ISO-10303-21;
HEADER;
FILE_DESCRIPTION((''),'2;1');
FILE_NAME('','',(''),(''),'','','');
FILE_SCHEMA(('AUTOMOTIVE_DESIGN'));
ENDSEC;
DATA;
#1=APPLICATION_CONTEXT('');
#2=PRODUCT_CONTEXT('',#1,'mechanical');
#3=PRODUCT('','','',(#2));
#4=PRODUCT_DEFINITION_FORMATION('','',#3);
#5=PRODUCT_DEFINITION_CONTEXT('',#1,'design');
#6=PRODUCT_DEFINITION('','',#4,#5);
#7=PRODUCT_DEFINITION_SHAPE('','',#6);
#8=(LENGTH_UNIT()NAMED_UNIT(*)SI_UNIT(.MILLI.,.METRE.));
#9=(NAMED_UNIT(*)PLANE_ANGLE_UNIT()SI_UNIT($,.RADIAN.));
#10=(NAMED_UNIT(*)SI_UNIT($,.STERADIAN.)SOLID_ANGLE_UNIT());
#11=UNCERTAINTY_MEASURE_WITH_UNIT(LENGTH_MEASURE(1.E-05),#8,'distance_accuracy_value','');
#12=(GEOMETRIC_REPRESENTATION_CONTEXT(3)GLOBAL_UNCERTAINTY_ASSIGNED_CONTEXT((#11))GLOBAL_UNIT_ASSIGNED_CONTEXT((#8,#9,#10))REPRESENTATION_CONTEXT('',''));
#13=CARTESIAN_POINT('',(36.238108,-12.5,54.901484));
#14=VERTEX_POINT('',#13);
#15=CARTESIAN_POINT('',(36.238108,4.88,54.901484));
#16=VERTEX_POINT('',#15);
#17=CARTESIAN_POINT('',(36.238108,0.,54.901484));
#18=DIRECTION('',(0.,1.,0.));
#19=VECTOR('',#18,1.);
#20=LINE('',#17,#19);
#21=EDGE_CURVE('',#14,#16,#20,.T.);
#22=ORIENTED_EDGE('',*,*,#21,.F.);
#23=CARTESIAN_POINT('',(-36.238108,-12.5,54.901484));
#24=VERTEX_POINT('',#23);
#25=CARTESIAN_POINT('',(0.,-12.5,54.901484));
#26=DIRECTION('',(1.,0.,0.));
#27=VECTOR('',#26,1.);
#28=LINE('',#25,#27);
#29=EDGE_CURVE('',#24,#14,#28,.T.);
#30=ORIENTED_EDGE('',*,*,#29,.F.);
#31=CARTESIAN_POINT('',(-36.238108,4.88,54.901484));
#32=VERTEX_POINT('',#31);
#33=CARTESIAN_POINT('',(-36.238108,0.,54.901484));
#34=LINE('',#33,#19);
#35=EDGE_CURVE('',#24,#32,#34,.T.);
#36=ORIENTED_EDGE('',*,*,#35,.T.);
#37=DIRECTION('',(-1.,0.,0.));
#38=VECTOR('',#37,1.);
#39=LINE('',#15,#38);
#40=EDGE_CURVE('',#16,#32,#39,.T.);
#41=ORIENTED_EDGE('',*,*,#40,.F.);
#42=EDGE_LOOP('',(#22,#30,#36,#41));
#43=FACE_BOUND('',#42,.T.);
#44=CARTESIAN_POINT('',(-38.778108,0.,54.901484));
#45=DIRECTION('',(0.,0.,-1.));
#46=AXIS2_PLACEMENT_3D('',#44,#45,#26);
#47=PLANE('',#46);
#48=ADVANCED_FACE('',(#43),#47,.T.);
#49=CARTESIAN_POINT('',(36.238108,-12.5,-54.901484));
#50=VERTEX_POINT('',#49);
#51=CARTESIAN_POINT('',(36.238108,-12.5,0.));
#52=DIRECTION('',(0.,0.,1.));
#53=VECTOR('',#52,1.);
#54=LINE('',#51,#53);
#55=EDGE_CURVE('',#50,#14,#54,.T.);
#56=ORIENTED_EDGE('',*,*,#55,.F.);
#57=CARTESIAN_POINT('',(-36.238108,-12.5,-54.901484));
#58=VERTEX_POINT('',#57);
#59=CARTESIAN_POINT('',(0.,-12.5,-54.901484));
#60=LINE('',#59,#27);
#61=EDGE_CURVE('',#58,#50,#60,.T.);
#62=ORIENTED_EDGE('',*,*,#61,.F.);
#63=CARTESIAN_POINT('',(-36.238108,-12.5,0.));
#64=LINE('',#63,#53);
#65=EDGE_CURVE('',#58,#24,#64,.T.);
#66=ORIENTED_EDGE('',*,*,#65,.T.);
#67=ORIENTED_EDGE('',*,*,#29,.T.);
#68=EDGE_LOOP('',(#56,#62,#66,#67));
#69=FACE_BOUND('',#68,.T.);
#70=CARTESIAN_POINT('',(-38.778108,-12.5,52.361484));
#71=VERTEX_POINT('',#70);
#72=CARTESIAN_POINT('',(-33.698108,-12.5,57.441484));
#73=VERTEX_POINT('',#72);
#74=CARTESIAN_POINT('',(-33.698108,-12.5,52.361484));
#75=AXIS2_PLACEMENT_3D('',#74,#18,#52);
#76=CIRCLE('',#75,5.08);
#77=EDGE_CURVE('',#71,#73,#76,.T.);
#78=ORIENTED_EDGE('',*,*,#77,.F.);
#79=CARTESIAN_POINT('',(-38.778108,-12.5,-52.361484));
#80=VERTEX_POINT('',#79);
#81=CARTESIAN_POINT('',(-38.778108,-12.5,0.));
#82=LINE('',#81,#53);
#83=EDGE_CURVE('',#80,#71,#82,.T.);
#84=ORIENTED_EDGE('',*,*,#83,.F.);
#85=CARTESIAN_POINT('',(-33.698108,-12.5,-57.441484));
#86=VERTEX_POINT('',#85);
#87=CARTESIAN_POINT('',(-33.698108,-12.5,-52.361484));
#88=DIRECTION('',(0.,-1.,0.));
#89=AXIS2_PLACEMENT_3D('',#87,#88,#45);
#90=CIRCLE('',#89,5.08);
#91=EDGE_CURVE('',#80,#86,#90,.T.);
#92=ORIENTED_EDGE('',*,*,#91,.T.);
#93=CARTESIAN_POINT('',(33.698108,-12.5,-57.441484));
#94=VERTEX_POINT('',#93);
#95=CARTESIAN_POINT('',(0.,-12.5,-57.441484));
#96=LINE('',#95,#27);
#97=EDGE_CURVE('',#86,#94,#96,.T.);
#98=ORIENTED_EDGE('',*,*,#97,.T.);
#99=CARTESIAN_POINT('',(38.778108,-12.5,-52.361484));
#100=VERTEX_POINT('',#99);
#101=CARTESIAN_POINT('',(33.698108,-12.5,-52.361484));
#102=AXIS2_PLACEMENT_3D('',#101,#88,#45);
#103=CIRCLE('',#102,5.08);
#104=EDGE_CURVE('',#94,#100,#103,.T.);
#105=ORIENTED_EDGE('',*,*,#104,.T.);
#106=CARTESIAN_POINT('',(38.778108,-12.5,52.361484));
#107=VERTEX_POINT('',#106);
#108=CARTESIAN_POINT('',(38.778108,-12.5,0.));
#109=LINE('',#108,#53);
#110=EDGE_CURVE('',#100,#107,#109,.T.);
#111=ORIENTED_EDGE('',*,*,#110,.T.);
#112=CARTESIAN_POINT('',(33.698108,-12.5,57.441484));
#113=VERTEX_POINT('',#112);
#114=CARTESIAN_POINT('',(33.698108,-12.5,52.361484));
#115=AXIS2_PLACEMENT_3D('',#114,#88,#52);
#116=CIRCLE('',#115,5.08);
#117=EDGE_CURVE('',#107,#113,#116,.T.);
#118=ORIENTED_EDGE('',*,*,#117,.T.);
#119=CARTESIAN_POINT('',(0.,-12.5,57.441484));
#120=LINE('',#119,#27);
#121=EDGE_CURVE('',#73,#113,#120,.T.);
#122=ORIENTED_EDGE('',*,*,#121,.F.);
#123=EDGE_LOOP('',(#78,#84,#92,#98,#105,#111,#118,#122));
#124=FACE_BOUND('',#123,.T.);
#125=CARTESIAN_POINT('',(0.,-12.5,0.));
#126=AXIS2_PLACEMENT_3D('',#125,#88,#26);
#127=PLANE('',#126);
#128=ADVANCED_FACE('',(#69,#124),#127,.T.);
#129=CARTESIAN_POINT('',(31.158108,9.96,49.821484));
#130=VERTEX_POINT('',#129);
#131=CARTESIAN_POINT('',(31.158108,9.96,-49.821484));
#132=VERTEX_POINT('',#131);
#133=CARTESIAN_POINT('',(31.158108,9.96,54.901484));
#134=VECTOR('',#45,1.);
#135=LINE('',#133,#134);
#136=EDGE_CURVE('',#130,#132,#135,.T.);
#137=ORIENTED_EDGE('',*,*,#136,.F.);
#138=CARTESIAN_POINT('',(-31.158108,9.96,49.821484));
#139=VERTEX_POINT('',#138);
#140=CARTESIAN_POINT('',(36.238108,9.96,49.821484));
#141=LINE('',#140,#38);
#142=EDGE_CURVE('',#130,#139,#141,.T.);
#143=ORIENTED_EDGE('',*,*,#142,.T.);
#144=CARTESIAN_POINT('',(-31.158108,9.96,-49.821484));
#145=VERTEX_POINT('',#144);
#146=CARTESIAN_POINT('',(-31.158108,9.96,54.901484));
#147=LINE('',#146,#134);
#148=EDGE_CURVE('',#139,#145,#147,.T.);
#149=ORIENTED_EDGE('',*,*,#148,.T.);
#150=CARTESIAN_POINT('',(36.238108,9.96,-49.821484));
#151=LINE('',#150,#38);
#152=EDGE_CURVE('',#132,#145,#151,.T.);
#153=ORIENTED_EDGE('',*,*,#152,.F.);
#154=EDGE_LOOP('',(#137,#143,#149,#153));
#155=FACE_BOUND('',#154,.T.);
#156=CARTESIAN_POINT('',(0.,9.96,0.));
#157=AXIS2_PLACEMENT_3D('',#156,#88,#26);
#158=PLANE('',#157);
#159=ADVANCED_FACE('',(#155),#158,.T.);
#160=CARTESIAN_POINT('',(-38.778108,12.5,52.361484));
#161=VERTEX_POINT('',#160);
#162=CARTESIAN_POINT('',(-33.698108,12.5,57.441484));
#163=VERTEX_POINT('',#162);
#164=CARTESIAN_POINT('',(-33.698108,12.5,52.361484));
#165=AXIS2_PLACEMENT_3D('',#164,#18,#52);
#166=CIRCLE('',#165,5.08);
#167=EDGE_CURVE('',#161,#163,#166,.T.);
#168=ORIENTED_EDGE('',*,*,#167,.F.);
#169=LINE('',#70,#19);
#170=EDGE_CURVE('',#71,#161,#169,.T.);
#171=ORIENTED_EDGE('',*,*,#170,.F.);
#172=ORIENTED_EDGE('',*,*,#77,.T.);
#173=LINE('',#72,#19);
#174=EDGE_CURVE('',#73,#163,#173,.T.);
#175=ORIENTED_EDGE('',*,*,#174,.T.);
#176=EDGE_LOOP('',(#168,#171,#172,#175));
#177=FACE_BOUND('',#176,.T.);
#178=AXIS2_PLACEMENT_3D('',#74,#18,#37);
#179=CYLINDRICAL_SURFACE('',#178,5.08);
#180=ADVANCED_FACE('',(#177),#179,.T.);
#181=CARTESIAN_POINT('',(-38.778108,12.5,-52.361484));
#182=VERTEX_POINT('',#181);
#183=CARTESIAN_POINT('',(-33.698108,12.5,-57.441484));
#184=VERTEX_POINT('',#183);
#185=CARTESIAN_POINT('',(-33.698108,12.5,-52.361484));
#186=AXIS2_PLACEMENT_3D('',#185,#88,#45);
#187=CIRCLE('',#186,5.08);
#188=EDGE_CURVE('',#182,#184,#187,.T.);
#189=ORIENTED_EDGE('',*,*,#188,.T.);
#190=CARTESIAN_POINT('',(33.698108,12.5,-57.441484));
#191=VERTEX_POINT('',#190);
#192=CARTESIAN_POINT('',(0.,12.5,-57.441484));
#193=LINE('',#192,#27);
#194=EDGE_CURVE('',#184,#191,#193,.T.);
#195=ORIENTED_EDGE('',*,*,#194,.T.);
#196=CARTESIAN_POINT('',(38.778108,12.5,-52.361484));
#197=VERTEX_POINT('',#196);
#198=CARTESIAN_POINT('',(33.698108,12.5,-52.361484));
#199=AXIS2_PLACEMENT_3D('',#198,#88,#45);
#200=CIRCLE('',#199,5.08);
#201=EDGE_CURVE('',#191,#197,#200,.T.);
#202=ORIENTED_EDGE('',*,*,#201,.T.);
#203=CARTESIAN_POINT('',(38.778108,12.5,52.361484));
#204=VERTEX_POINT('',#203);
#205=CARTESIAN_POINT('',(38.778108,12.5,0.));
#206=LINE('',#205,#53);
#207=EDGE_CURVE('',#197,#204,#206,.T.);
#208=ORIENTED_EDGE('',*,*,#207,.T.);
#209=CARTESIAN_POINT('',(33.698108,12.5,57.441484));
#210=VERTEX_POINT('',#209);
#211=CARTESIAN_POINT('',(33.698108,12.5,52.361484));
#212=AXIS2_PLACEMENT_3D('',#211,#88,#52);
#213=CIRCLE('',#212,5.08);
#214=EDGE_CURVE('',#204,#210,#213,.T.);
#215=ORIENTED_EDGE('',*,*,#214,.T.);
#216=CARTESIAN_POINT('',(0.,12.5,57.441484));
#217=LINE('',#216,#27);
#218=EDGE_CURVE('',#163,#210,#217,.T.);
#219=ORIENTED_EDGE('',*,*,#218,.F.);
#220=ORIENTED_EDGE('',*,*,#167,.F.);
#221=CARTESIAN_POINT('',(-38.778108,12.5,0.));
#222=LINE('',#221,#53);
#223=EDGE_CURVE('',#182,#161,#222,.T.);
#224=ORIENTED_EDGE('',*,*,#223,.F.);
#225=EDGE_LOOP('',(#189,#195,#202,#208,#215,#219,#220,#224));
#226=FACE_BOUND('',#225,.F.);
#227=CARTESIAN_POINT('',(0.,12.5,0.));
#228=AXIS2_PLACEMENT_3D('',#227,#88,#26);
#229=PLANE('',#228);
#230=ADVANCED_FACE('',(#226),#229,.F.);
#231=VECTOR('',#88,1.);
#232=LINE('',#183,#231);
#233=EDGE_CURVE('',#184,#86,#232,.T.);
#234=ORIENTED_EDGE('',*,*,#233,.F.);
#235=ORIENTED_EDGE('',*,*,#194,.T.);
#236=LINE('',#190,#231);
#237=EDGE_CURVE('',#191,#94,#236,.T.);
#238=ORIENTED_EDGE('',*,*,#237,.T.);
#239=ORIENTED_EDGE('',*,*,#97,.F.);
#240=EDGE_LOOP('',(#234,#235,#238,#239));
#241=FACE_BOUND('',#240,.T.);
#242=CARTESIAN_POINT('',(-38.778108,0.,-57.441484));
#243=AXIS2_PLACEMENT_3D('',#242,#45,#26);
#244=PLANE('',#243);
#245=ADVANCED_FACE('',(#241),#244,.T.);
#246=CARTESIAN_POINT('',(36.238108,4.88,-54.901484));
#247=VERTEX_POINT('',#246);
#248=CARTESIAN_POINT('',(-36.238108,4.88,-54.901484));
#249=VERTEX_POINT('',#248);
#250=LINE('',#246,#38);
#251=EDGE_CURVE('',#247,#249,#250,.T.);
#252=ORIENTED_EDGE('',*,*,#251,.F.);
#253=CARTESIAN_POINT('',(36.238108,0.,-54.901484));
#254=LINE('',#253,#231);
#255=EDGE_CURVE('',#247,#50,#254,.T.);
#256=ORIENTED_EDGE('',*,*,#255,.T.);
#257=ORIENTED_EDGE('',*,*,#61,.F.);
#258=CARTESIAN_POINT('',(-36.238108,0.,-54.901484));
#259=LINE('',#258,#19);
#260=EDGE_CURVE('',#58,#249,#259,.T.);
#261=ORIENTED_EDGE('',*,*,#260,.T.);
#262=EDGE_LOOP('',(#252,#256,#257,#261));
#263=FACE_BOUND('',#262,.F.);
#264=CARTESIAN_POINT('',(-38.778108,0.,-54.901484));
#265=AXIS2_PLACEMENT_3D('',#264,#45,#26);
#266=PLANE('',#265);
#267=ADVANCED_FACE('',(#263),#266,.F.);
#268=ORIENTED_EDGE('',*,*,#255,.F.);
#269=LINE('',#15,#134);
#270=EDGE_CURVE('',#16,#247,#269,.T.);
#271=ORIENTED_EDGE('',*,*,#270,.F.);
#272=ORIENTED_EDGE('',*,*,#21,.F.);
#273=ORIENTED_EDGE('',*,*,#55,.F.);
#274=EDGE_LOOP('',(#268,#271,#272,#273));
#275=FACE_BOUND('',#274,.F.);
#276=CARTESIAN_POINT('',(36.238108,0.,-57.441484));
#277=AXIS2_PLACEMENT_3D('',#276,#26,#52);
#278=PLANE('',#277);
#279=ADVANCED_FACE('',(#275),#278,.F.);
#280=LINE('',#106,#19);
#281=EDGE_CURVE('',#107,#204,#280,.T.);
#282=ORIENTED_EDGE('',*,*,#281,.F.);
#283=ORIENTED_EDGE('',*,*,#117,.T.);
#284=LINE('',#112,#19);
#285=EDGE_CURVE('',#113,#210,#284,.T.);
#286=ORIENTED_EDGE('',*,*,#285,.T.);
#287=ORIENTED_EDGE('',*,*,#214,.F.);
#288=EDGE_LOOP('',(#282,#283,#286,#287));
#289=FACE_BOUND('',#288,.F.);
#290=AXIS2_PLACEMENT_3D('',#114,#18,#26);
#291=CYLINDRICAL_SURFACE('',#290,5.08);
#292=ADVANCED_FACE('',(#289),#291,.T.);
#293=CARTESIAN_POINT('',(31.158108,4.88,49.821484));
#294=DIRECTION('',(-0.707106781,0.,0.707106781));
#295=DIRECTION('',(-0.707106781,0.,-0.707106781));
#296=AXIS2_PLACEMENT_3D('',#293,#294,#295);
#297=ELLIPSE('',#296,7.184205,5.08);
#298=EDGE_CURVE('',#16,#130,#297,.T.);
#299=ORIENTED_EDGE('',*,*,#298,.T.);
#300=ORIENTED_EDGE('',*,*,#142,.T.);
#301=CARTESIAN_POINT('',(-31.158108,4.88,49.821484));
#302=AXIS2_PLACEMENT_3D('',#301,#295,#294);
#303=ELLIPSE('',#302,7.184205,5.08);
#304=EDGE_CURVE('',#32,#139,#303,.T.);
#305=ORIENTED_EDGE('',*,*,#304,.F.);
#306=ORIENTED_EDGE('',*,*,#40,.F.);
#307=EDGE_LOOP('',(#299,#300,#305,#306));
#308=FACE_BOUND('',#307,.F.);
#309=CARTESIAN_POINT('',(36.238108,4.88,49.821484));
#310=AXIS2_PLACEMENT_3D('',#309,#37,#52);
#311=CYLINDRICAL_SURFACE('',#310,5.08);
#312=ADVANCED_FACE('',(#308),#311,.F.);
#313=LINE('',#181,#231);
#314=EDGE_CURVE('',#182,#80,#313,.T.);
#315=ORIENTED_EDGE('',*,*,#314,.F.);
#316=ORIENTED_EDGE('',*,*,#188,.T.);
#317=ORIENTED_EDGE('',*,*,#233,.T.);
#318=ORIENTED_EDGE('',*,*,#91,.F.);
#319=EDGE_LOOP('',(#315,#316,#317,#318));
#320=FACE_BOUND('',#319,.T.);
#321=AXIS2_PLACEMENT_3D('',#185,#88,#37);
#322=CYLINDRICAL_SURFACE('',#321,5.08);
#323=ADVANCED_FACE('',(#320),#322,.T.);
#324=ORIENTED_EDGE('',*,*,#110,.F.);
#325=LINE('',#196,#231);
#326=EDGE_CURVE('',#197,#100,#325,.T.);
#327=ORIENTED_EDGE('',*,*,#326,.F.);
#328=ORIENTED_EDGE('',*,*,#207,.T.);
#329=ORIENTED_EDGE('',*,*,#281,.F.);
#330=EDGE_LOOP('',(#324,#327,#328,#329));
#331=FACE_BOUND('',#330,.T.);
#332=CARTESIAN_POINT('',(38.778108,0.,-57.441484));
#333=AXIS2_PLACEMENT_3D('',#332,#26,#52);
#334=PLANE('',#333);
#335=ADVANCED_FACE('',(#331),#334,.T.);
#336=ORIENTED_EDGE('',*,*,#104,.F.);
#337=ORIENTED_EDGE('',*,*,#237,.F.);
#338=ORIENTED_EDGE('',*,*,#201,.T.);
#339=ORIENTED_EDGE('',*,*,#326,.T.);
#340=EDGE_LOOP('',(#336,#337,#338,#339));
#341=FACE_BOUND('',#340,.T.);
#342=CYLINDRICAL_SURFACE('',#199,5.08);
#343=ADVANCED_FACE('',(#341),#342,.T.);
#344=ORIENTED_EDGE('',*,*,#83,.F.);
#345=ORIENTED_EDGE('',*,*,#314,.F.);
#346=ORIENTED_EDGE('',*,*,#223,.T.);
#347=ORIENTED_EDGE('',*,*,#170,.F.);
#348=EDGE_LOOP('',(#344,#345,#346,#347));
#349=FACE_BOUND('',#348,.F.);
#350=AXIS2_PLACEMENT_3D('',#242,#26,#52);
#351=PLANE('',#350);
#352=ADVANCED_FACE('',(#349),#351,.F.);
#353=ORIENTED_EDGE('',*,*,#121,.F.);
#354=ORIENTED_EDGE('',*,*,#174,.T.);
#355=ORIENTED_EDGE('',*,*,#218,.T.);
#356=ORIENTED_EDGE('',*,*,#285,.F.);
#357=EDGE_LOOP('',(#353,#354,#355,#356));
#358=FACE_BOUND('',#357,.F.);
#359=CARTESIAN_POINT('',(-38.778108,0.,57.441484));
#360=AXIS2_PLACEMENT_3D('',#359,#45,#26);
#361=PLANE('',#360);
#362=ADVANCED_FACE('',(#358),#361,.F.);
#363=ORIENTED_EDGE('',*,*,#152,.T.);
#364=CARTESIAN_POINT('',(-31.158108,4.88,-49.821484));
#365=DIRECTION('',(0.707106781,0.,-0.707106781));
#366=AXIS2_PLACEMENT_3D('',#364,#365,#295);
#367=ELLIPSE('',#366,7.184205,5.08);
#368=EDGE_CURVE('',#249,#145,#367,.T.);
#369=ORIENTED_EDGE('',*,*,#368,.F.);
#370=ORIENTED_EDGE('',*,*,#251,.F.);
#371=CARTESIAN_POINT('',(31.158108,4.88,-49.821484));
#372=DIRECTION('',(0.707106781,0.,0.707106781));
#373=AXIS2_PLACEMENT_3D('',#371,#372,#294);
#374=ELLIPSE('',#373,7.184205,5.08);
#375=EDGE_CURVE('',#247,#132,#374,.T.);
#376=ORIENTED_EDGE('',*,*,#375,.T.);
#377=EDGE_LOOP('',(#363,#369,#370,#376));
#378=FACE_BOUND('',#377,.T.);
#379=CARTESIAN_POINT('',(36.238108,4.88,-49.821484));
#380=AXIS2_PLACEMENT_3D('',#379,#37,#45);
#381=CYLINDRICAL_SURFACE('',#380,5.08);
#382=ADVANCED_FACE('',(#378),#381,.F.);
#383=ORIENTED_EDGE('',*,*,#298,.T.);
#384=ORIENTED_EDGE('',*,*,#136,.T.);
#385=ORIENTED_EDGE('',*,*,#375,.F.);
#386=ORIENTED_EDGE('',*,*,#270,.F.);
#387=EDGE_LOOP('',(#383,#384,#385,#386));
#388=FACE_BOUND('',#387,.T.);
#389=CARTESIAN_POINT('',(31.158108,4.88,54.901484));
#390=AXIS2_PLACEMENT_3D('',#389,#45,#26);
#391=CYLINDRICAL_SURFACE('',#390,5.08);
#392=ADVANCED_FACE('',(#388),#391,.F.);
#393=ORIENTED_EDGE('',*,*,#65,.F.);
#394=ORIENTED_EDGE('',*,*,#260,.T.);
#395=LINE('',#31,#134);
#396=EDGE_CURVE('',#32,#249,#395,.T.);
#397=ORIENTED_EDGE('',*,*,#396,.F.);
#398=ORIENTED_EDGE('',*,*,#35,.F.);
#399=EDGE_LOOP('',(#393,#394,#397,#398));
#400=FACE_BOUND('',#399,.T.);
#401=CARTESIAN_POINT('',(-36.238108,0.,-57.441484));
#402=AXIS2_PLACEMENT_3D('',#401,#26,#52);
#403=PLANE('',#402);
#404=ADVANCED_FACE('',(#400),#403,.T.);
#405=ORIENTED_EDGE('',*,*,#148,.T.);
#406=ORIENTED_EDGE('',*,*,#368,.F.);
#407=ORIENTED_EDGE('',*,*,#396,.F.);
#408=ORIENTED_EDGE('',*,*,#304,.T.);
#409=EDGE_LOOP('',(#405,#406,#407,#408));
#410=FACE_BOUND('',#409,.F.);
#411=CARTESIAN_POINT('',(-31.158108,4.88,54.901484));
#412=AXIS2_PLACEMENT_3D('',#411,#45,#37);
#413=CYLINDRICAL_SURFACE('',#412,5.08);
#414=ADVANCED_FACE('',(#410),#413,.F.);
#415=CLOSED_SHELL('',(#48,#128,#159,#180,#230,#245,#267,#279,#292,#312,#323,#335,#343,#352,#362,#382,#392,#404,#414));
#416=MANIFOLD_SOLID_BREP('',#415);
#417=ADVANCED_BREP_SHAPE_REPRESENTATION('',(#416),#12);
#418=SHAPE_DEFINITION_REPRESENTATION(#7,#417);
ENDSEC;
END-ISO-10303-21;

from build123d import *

# Parameters (mm, degrees)
F0_W     = 77.5562152267
F0_H     = 114.8829683661
F1_DEPTH = 12.5
F2_T     = -2.54
F3_R     = 5.08
F4_R     = 5.08


with BuildPart() as f1:
    # F0 (on Front) → F1 (new body, symmetric)
    with BuildSketch(Plane.XZ):
        Rectangle(F0_W, F0_H)
    extrude(amount=F1_DEPTH, both=True)

    # F2
    f2_openings = [f1.faces().sort_by_distance(p)[0] for p in [
        (0, -12.5, 0),
    ]]
    offset(amount=F2_T, openings=f2_openings)

    # F3
    f3_edges = [f1.edges().sort_by_distance(p)[0] for p in [
        (0, 9.96, -54.901484),
        (36.238108, 9.96, 0),
        (0, 9.96, 54.901484),
        (-36.238108, 9.96, 0),
    ]]
    fillet(f3_edges, radius=F3_R)

    # F4
    f4_edges = [f1.edges().sort_by_distance(p)[0] for p in [
        (-38.778108, 0, 57.441484),
        (38.778108, 0, 57.441484),
        (38.778108, 0, -57.441484),
        (-38.778108, 0, -57.441484),
    ]]
    fillet(f4_edges, radius=F4_R)


solid = f1.part
